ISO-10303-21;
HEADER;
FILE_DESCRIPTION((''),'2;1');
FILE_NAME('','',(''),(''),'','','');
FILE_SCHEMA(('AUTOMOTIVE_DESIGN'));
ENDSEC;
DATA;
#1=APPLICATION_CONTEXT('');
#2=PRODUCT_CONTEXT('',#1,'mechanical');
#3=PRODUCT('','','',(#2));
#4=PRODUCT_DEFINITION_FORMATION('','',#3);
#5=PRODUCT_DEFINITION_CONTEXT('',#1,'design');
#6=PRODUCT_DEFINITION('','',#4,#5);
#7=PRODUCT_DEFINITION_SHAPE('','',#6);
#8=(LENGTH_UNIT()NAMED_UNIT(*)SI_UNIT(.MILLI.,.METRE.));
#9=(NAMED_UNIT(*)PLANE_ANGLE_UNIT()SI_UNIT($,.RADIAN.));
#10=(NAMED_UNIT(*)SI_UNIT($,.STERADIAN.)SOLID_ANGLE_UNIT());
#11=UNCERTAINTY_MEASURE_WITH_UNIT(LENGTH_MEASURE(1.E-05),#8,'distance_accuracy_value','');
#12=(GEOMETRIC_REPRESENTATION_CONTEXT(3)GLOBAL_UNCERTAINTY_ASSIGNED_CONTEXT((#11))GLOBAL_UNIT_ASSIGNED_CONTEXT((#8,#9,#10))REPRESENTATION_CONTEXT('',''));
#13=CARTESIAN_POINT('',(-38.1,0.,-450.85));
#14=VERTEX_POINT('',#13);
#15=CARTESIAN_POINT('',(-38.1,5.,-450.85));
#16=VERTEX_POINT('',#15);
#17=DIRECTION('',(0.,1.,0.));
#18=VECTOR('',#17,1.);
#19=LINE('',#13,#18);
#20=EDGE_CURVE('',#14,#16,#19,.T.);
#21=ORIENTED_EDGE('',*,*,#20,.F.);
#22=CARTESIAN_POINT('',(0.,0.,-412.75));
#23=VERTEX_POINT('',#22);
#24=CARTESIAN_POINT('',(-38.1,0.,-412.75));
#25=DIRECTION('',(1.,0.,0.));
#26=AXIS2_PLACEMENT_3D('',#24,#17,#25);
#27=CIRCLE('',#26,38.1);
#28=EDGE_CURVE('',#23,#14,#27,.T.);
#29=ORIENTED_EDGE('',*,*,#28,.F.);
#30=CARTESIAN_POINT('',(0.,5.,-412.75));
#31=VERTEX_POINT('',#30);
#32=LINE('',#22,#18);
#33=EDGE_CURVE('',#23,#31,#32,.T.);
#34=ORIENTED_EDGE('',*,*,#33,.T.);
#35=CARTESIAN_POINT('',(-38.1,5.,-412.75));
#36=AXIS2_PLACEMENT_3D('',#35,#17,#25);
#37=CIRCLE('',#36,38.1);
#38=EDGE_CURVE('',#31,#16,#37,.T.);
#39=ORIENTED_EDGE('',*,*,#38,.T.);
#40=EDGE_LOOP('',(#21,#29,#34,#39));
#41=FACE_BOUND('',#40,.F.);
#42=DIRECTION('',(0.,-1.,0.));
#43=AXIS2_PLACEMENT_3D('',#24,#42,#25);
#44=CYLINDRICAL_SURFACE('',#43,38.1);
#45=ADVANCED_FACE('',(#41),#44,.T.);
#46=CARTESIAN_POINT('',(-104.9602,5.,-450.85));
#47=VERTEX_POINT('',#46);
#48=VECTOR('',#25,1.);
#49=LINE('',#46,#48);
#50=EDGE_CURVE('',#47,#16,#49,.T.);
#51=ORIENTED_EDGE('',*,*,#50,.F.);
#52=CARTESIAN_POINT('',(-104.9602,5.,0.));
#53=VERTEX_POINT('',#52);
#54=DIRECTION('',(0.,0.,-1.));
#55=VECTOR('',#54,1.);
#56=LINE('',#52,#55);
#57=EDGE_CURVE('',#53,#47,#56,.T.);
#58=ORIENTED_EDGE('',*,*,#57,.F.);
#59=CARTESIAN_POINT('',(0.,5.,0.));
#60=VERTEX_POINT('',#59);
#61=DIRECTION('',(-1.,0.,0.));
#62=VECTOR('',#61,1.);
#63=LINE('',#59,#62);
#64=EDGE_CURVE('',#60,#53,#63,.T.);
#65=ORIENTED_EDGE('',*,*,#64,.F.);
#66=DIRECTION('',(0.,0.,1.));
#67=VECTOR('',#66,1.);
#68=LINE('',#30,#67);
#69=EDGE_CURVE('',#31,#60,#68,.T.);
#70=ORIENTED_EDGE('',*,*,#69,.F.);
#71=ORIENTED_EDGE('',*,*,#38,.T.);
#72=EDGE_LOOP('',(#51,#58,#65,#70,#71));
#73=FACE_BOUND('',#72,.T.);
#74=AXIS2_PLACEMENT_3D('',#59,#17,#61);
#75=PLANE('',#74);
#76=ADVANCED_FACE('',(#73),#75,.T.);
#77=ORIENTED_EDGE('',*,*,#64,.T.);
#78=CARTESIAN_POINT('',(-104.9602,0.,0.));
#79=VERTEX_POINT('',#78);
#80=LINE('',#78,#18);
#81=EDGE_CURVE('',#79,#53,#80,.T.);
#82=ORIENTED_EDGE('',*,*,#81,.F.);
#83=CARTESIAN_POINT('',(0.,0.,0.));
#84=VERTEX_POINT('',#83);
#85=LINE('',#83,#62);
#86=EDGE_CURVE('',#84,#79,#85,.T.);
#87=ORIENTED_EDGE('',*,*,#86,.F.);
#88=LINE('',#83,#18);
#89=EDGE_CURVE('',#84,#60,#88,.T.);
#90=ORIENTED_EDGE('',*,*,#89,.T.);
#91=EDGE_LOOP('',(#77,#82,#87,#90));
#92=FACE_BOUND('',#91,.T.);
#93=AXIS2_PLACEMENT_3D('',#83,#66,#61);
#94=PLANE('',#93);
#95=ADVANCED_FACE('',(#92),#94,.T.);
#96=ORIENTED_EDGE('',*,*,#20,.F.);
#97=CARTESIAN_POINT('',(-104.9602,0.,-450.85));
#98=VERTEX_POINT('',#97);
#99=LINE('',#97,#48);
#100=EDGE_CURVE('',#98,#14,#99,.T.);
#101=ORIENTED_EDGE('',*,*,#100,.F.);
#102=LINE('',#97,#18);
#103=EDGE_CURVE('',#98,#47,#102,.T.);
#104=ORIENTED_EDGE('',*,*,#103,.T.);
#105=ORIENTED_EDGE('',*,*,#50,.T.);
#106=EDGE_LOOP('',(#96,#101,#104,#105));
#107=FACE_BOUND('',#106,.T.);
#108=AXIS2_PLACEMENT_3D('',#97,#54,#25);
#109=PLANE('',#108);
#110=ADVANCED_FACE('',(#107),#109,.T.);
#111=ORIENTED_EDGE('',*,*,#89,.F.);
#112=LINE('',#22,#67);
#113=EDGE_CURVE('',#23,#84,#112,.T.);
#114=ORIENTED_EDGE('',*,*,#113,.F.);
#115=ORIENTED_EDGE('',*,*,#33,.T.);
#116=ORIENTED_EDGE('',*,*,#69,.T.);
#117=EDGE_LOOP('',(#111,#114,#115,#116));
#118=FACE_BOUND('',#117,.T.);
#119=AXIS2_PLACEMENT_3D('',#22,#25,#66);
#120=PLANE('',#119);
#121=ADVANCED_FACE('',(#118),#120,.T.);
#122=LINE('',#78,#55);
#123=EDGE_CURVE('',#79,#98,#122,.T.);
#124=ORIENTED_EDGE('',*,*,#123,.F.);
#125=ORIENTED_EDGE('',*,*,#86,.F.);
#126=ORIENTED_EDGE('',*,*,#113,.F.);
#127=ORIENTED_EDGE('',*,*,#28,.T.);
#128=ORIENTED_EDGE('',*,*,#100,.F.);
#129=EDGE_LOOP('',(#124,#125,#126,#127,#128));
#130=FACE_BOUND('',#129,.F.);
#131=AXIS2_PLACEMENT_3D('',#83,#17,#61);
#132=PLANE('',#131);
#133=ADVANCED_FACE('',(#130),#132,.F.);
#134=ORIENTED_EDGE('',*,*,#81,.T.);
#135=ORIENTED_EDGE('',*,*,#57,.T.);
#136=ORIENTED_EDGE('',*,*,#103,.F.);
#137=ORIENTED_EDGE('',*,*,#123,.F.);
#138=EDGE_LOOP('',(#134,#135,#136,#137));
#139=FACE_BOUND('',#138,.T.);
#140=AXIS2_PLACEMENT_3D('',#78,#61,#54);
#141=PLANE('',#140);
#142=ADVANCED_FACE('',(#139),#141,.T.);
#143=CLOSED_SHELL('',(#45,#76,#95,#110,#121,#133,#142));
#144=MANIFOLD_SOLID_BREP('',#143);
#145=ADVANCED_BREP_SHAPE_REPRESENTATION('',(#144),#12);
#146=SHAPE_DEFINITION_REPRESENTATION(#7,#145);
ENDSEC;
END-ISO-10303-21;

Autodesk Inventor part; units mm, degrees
ref_plane "YZ Plane" through (0, 0, 0) normal (1, 0, 0) x (0, 1, 0)
ref_plane "XZ Plane" through (0, 0, 0) normal (0, 1, 0) x (-1, 0, 0)
ref_plane "XY Plane" through (0, 0, 0) normal (0, 0, 1) x (1, 0, 0)
sketch "Sketch1" plane through (0, 0, 0) normal (0, 1, 0) x (-1, 0, 0)
  line L0 (0, 0) -> (104.9602, 0)
  line L1 (104.9602, 0) -> (104.9602, -450.85)
  line L2 (104.9602, -450.85) -> (38.1, -450.85)
  line L3 (0, -412.75) -> (0, 0)
  arc A0 (0, -412.75) -> (38.1, -450.85) centre (38.1, -412.75) ccw
  line L4 (38.1, -412.75) -> (38.1, -450.85) construction
  line L5 (38.1, -412.75) -> (76.2, -412.75) construction
  dimension "d1" = 450.85
  dimension "d5" = 38.1
  dimension "d6" = 90
  dimension "d7" = 104.9602
  dimension "d8" = 38.1
extrude "Extrusion1" add sketch "Sketch1" along normal blind 5
properties part number "sidewall raw"
